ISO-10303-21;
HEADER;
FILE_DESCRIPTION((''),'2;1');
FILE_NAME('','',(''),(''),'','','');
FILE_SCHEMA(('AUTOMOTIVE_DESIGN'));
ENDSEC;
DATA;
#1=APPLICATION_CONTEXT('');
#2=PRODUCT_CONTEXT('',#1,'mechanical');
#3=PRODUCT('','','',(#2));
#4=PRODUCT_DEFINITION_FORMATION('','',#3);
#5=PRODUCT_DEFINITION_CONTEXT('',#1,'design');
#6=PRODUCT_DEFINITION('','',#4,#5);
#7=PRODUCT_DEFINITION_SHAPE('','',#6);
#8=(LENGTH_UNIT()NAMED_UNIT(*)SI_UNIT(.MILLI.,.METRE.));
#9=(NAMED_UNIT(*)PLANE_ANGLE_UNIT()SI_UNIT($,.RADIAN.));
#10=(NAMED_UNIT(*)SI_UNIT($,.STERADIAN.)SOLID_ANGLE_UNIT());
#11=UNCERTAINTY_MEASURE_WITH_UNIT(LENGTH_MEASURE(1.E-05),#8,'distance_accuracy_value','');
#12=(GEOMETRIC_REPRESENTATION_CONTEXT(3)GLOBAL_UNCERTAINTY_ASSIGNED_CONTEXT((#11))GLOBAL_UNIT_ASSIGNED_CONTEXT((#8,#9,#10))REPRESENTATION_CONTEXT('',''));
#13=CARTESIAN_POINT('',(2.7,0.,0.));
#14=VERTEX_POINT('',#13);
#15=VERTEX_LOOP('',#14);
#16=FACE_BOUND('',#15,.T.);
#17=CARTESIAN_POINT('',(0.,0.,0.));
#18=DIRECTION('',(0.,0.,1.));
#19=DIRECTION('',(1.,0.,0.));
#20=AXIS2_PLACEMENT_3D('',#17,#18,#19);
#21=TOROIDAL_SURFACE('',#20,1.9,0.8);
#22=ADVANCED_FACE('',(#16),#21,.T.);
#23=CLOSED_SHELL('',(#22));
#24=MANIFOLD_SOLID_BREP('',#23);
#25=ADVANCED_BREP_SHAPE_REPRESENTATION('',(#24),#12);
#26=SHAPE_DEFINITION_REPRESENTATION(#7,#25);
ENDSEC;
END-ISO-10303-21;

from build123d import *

# Parameters (mm, degrees)
SKETCH1_R = 0.8


with BuildPart() as part:
    # Sketch1 → Revolve1 (revolve)
    with BuildSketch(Plane(origin=(0, 0, 0), x_dir=(0, -1, 0), z_dir=(1, 0, 0))):
        with Locations((1.9, 0)):
            Circle(SKETCH1_R)
    revolve(axis=Axis((0, 0, 0.8), (0, 0, -1)))


solid = part.part
